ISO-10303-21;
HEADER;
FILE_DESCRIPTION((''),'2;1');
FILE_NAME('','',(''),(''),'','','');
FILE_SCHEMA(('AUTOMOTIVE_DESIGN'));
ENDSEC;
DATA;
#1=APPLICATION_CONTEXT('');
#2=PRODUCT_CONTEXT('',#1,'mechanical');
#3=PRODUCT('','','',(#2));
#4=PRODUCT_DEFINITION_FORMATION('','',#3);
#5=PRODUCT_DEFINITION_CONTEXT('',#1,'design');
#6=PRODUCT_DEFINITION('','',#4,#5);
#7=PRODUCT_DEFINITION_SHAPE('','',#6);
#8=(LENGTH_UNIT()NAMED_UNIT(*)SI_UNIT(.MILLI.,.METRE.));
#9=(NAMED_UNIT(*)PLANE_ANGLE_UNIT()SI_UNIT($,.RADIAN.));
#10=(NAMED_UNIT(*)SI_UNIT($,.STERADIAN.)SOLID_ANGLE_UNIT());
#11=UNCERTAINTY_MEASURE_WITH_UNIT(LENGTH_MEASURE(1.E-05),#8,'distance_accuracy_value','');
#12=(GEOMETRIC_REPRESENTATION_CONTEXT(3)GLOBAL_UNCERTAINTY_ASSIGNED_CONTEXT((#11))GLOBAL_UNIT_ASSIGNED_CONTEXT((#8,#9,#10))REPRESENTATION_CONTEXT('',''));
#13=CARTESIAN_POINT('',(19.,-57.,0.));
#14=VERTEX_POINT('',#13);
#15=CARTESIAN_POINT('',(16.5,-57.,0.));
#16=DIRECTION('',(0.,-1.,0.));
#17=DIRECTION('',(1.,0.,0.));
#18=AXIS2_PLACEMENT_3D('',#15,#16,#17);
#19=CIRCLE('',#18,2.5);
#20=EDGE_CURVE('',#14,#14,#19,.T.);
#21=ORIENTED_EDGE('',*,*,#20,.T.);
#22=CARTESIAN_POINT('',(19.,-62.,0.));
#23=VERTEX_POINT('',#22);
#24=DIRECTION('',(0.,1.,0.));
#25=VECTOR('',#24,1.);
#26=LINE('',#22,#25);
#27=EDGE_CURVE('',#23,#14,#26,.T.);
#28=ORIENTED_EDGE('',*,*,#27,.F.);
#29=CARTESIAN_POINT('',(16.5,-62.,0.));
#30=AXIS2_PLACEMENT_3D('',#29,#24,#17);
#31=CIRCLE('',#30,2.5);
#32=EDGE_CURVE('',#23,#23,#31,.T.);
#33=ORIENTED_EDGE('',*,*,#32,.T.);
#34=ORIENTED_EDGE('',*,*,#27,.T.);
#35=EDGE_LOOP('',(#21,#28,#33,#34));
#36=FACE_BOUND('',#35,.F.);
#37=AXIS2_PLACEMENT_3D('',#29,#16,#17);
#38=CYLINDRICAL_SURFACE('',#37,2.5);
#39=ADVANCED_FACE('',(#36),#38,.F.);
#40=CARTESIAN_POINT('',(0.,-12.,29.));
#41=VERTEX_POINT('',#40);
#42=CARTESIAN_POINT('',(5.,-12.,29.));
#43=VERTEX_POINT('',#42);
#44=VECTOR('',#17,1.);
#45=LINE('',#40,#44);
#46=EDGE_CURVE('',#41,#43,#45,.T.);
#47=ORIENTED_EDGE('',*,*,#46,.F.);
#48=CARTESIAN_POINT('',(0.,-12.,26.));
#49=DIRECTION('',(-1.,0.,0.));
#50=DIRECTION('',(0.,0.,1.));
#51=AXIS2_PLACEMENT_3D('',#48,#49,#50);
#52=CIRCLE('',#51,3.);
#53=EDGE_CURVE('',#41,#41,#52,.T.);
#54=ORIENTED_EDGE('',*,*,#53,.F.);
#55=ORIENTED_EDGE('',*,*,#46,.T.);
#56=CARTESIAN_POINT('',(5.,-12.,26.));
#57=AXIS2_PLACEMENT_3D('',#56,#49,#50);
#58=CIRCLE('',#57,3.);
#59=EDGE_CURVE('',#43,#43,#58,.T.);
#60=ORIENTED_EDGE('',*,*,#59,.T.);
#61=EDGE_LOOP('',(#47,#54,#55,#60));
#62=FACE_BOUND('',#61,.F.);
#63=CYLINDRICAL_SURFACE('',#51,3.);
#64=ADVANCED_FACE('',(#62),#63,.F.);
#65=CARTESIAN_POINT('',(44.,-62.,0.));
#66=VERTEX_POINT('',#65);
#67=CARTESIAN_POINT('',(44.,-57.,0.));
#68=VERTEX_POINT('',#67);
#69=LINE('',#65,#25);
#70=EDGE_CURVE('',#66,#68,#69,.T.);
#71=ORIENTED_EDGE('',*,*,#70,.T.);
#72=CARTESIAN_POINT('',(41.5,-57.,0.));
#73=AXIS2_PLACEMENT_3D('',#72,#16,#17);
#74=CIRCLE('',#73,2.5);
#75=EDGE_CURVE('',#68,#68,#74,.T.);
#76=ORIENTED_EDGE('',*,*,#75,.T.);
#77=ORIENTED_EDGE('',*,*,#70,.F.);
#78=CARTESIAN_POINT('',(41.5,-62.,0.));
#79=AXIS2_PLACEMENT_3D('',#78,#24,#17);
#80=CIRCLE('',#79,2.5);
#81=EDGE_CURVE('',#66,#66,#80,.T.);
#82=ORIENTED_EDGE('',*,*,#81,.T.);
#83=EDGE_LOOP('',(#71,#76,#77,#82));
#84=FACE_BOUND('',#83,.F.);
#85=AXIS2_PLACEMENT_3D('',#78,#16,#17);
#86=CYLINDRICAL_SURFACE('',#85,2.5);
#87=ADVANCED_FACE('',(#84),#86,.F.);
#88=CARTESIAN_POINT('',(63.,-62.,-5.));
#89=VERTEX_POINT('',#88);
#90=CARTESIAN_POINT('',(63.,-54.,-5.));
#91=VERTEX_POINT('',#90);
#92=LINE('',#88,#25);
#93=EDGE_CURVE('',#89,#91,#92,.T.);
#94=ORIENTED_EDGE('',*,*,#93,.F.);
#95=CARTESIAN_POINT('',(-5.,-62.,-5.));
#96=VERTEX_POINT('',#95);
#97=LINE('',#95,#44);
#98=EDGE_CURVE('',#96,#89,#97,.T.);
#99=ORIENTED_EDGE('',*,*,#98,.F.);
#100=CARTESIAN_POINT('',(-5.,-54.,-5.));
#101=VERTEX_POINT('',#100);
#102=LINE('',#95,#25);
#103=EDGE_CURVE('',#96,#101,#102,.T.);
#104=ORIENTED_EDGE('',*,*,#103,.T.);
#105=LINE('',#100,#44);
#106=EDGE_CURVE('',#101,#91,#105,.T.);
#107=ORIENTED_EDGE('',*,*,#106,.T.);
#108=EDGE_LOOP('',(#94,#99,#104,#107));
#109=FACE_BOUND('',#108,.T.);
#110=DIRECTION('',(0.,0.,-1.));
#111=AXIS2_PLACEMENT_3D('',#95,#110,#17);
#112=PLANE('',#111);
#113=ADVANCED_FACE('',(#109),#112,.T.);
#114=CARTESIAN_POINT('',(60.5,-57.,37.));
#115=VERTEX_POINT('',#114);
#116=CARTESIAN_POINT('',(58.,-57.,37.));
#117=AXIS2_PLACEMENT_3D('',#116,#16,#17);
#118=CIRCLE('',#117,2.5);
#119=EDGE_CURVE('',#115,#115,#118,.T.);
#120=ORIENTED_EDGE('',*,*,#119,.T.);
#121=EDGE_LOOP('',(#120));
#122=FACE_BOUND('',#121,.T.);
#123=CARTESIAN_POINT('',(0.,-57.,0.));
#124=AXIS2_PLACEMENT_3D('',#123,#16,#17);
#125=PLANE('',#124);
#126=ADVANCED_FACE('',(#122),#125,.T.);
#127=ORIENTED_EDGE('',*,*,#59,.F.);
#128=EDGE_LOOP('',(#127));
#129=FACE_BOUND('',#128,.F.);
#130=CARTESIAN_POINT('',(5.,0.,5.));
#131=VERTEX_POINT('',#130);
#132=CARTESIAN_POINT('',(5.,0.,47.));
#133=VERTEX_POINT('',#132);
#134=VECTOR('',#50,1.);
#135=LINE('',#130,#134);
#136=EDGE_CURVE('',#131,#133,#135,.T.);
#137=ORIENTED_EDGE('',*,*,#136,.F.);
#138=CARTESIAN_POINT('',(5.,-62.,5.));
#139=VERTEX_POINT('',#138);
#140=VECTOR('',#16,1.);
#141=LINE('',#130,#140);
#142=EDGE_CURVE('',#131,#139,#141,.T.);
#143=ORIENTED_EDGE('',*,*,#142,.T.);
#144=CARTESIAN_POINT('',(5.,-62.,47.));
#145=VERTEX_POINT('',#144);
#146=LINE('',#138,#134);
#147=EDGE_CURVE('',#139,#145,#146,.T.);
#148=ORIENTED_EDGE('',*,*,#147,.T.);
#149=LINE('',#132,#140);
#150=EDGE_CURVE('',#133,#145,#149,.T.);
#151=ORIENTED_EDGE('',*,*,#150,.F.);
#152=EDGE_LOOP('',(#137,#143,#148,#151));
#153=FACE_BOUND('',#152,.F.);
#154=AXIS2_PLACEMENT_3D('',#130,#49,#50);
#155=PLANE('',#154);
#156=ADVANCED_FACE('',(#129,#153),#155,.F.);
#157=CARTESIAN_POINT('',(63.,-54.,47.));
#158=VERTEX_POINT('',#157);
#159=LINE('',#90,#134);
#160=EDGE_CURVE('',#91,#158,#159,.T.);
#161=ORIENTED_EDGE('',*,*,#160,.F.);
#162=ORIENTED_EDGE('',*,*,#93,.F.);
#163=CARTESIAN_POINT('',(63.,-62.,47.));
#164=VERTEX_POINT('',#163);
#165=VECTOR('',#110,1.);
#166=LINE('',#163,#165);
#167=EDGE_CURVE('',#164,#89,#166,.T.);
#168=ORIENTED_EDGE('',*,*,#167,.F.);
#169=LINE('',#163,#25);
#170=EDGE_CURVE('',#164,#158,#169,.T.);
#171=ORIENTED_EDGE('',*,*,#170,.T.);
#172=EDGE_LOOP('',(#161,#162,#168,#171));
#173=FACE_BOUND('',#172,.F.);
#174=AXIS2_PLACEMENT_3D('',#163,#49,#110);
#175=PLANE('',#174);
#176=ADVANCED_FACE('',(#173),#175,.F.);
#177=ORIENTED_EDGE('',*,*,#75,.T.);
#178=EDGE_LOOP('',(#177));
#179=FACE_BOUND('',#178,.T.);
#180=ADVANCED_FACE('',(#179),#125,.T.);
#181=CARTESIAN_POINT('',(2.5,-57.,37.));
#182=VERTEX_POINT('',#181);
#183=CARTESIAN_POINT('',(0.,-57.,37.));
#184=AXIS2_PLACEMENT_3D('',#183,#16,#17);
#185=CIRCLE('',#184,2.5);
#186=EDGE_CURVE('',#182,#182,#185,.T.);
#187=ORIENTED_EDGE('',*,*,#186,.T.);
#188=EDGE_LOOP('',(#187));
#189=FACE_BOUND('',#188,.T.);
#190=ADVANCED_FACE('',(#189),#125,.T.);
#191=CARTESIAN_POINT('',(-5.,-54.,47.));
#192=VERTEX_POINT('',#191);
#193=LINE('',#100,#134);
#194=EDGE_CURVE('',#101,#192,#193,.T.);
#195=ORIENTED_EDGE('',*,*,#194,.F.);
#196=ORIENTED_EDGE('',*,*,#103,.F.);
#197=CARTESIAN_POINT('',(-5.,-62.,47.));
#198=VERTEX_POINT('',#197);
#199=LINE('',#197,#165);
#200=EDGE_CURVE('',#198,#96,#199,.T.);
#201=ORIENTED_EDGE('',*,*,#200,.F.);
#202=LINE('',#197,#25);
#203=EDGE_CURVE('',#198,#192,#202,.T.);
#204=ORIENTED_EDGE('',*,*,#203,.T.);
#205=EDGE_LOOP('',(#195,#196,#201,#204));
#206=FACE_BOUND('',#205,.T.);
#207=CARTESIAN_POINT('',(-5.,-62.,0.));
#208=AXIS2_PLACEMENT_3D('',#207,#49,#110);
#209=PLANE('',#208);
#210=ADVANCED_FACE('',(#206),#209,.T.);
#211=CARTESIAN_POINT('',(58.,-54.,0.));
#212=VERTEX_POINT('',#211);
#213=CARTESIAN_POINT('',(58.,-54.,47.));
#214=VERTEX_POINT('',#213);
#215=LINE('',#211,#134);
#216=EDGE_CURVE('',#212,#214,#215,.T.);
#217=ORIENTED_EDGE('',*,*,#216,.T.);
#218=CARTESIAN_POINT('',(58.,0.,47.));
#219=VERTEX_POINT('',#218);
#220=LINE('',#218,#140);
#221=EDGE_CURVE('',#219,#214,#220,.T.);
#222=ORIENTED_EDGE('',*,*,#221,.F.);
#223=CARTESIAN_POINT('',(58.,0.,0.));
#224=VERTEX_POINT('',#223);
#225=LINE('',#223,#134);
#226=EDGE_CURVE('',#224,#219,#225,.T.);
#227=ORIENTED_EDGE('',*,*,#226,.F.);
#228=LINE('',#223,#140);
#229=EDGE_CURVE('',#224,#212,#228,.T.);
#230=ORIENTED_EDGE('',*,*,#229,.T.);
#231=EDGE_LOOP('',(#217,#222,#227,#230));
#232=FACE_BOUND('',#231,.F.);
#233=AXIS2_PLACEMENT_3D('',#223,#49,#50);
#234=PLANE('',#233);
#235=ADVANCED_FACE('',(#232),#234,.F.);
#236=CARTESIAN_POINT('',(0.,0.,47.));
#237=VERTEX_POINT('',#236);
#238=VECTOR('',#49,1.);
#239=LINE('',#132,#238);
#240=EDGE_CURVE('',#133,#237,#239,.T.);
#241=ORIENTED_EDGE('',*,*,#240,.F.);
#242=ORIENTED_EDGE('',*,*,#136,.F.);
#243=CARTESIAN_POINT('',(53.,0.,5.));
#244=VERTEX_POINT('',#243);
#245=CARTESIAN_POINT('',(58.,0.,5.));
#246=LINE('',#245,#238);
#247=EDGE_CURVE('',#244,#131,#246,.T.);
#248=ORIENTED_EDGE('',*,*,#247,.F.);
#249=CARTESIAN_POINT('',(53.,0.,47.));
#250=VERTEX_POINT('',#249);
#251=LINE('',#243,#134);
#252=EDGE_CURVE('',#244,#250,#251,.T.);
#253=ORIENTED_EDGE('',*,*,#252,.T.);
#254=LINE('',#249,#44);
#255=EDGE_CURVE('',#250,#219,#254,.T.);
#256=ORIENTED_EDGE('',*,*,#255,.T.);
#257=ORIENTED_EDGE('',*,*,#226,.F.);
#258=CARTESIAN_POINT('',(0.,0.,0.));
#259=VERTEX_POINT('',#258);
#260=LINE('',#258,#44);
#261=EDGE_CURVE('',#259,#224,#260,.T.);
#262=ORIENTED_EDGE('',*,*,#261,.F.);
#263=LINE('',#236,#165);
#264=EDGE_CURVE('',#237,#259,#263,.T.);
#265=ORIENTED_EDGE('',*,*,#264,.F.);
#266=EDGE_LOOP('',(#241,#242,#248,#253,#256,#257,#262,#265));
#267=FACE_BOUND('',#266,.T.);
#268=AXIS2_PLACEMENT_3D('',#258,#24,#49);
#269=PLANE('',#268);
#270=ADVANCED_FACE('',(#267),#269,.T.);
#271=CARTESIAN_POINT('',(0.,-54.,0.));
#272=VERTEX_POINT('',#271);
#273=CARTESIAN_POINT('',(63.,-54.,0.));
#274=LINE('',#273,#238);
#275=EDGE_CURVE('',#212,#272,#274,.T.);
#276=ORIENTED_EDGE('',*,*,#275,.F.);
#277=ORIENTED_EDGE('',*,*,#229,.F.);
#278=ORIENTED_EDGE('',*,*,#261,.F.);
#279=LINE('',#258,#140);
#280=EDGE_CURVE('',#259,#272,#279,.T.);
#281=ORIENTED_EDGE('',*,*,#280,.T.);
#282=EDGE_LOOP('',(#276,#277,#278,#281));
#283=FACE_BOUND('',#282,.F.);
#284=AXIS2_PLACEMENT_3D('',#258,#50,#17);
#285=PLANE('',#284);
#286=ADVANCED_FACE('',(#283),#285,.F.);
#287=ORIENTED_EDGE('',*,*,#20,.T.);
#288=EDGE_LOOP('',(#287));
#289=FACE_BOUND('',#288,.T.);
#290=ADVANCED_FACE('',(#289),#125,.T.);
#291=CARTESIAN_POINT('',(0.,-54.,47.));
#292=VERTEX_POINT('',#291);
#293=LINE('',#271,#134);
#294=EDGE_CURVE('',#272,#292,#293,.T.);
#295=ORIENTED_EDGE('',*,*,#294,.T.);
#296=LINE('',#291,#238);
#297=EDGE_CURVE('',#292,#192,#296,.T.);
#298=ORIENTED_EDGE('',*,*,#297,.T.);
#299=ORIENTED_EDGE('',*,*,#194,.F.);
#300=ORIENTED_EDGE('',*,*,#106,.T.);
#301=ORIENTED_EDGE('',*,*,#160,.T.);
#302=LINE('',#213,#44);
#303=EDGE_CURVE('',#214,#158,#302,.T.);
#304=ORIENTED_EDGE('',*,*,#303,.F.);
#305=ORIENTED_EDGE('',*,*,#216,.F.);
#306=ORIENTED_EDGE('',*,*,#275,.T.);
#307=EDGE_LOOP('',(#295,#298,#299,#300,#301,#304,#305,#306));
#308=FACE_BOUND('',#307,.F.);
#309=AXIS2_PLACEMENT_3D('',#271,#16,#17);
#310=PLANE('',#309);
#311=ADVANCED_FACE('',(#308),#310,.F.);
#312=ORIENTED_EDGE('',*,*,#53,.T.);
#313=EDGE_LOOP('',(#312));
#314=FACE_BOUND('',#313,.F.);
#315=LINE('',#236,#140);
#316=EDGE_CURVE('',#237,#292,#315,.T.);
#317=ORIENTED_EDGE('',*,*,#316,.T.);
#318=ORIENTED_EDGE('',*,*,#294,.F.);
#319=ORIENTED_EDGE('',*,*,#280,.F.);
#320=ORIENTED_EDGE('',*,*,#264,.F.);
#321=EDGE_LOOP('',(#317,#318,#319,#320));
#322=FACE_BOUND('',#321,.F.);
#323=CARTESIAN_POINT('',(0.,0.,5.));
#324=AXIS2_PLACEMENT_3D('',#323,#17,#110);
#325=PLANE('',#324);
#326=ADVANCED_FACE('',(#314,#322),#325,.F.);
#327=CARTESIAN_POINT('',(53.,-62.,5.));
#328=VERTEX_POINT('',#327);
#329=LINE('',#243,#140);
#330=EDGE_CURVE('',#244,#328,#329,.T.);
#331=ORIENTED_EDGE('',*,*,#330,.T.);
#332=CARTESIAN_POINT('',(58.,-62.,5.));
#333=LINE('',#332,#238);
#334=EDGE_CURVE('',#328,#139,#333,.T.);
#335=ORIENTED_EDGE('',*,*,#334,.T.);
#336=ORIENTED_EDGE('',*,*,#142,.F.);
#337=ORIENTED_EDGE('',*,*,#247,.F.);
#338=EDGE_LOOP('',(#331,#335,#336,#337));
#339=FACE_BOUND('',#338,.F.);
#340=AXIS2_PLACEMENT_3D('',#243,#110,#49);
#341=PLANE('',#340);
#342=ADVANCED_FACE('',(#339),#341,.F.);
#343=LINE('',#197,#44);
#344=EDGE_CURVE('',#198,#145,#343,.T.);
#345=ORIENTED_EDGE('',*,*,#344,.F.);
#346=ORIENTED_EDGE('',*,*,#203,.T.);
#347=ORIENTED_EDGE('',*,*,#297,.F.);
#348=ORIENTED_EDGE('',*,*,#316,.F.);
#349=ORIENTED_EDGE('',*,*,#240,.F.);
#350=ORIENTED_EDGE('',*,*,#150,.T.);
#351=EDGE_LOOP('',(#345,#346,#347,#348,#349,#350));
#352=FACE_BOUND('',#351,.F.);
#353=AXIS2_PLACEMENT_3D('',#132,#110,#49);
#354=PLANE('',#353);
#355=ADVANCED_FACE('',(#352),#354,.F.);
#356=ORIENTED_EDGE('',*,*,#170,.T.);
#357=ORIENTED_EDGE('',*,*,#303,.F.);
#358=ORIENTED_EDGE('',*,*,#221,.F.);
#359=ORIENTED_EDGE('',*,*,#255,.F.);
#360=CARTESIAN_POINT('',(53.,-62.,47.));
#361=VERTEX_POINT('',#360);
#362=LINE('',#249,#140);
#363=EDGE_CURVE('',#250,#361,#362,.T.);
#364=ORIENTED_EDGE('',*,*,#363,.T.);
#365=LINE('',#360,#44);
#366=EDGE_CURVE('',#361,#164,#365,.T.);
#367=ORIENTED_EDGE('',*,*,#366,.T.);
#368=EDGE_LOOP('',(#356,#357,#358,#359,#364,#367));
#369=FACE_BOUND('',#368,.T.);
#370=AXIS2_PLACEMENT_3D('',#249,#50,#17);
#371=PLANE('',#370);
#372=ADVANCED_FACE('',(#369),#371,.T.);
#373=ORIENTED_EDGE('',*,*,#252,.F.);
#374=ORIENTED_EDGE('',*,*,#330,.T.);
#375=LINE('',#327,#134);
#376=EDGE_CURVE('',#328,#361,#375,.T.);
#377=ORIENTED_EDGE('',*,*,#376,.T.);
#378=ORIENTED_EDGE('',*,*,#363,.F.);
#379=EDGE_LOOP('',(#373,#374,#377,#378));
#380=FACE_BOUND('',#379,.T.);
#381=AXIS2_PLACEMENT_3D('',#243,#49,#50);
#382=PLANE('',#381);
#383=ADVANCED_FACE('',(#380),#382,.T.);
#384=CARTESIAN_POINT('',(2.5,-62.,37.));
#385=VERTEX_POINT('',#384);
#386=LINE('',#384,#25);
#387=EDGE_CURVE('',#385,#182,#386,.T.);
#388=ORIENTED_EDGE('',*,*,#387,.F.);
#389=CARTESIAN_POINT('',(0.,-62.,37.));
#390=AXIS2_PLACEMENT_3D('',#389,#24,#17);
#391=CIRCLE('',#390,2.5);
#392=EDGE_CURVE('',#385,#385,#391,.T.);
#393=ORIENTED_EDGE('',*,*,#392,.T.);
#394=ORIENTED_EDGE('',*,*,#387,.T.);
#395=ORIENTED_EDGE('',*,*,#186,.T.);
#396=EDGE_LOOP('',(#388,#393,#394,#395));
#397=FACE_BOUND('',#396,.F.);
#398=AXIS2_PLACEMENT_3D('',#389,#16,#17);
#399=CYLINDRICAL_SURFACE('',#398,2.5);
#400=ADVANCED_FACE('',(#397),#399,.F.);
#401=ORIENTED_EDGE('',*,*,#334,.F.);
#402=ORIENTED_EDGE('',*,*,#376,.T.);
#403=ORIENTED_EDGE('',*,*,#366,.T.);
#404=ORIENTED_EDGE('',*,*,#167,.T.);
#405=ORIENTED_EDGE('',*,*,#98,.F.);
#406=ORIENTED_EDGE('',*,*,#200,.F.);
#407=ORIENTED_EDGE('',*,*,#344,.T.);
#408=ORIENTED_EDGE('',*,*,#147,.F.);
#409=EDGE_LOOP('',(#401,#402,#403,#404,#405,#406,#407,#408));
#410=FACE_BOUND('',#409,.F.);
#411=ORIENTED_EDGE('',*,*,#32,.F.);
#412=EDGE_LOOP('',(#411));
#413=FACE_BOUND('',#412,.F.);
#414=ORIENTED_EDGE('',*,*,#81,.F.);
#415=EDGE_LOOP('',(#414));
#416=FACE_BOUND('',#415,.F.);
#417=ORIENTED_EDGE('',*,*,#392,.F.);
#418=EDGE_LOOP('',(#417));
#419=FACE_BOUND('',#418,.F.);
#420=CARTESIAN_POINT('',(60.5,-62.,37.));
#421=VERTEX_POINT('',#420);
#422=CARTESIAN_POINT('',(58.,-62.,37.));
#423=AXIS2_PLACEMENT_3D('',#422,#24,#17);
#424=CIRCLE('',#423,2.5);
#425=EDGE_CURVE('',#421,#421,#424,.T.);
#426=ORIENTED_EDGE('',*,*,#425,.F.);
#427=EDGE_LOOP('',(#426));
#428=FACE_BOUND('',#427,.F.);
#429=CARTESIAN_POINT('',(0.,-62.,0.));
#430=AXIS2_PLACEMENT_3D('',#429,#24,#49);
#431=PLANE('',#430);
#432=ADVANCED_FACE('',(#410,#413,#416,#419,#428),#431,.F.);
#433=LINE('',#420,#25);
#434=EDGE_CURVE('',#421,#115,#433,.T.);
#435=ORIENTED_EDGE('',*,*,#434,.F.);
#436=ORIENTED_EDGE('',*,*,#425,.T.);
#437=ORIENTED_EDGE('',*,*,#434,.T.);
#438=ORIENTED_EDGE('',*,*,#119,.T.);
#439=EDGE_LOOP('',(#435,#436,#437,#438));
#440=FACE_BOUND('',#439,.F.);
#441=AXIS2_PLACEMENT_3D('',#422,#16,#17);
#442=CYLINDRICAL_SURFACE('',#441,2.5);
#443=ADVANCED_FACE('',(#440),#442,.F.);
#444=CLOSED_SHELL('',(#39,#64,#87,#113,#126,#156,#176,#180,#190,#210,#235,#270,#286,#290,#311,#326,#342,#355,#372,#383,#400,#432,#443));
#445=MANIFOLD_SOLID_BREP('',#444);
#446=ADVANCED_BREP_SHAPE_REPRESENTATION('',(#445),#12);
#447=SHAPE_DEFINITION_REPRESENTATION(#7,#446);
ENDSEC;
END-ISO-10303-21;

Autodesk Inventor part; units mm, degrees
ref_plane "YZ Plane" through (0, 0, 0) normal (1, 0, 0) x (0, 1, 0)
ref_plane "XZ Plane" through (0, 0, 0) normal (0, 1, 0) x (-1, 0, 0)
ref_plane "XY Plane" through (0, 0, 0) normal (0, 0, 1) x (1, 0, 0)
sketch "Sketch1" plane through (0, 0, 0) normal (0, 1, 0) x (-1, 0, 0)
  line L0 (0, 0) -> (-58, 0)
  line L1 (-58, 0) -> (-58, 5)
  line L2 (-58, 5) -> (0, 5)
  line L3 (0, 5) -> (0, 0)
  line L4 (0, 5) -> (-5, 5)
  line L5 (-5, 5) -> (-5, 47)
  line L6 (-5, 47) -> (0, 47)
  line L7 (0, 47) -> (0, 5)
  line L8 (-58, 5) -> (-53, 5)
  line L9 (-53, 5) -> (-53, 47)
  line L10 (-53, 47) -> (-58, 47)
  line L11 (-58, 47) -> (-58, 5)
  dimension "d0" = 58
  dimension "d1" = 5
  dimension "d2" = 5
  dimension "d3" = 42
  dimension "d4" = 5
  dimension "d5" = 42
extrude "Extrusion1" add sketch "Sketch1" against normal blind 62
sketch "Sketch2" plane through (58, 0, 47) normal (1, 0, 0) x (0, 0, -1)
  line L0 (0, 0) -> (0, -62) projected
  line L1 (47, -62) -> (0, -62) projected
  circle A0 centre (21, -12) radius 3
  point P0 (47, 0)
  point P1 (23.5, -62)
  dimension "d8" = 21
  dimension "d9" = 50
  dimension "d10" = 6
sketch "Sketch3" plane through (0, -62, 0) normal (0, -1, 0) x (1, 0, 0)
  line L0 (53, 47) -> (58, 47) projected
  line L1 (58, 47) -> (63, 47)
  line L2 (63, 47) -> (63, 0)
  line L3 (63, 0) -> (58, 0)
  line L4 (58, 0) -> (58, 47)
  line L5 (0, 0) -> (0, 47) projected
  line L6 (0, 47) -> (-5, 47)
  line L7 (-5, 47) -> (-5, 0)
  line L8 (-5, 0) -> (0, 0)
  line L9 (0, 0) -> (0, 47)
  line L10 (63, 0) -> (-5, 0)
  line L11 (-5, 0) -> (-5, -5)
  line L12 (-5, -5) -> (63, -5)
  line L13 (63, -5) -> (63, 0)
  dimension "d13" = 5
  dimension "d14" = 5
  dimension "d15" = 5
extrude "Extrusion3" add sketch "Sketch3" against normal blind 8
sketch "Sketch4" plane through (0, -62, 0) normal (0, -1, 0) x (1, 0, 0)
  line L0 (58, 47) -> (58, 0) projected
  line L1 (63, 47) -> (53, 47) projected
  line L2 (0, 0) -> (0, 47) projected
  line L3 (5, 47) -> (-5, 47) projected
  circle A0 centre (58, 37) radius 2.5
  circle A1 centre (0, 37) radius 2.5
  line L4 (58, 0) -> (0, 0) projected
  circle A2 centre (16.5, 0) radius 2.5
  circle A3 centre (41.5, 0) radius 2.5
  point P0 (29, 0)
  dimension "d18" = 10
  dimension "d19" = 10
  dimension "d20" = 5
  dimension "d21" = 5
  dimension "d29" = 5
  dimension "d30" = 5
sketch "Sketch5" plane through (0, 0, 0) normal (-1, 0, 0) x (0, 0, 1)
  circle A0 centre (26, -12) radius 3 projected
  circle A1 centre (26, -12) radius 3
  point P0 (0, 0)
extrude "Extrusion5" cut sketch "Sketch5" against normal blind 5
extrude "Extrusion6" cut sketch "Sketch4" against normal blind 5
equation "\"d4\" = d2"
equation "\"d5\" = d3"
equation "\"d14\" = d13"
equation "\"d15\" = d13"
equation "\"d19\" = d18"
equation "\"d21\" = d20"
equation "\"d29\" = d20"
equation "\"d30\" = d20"
properties part number "top cam mount v02"
